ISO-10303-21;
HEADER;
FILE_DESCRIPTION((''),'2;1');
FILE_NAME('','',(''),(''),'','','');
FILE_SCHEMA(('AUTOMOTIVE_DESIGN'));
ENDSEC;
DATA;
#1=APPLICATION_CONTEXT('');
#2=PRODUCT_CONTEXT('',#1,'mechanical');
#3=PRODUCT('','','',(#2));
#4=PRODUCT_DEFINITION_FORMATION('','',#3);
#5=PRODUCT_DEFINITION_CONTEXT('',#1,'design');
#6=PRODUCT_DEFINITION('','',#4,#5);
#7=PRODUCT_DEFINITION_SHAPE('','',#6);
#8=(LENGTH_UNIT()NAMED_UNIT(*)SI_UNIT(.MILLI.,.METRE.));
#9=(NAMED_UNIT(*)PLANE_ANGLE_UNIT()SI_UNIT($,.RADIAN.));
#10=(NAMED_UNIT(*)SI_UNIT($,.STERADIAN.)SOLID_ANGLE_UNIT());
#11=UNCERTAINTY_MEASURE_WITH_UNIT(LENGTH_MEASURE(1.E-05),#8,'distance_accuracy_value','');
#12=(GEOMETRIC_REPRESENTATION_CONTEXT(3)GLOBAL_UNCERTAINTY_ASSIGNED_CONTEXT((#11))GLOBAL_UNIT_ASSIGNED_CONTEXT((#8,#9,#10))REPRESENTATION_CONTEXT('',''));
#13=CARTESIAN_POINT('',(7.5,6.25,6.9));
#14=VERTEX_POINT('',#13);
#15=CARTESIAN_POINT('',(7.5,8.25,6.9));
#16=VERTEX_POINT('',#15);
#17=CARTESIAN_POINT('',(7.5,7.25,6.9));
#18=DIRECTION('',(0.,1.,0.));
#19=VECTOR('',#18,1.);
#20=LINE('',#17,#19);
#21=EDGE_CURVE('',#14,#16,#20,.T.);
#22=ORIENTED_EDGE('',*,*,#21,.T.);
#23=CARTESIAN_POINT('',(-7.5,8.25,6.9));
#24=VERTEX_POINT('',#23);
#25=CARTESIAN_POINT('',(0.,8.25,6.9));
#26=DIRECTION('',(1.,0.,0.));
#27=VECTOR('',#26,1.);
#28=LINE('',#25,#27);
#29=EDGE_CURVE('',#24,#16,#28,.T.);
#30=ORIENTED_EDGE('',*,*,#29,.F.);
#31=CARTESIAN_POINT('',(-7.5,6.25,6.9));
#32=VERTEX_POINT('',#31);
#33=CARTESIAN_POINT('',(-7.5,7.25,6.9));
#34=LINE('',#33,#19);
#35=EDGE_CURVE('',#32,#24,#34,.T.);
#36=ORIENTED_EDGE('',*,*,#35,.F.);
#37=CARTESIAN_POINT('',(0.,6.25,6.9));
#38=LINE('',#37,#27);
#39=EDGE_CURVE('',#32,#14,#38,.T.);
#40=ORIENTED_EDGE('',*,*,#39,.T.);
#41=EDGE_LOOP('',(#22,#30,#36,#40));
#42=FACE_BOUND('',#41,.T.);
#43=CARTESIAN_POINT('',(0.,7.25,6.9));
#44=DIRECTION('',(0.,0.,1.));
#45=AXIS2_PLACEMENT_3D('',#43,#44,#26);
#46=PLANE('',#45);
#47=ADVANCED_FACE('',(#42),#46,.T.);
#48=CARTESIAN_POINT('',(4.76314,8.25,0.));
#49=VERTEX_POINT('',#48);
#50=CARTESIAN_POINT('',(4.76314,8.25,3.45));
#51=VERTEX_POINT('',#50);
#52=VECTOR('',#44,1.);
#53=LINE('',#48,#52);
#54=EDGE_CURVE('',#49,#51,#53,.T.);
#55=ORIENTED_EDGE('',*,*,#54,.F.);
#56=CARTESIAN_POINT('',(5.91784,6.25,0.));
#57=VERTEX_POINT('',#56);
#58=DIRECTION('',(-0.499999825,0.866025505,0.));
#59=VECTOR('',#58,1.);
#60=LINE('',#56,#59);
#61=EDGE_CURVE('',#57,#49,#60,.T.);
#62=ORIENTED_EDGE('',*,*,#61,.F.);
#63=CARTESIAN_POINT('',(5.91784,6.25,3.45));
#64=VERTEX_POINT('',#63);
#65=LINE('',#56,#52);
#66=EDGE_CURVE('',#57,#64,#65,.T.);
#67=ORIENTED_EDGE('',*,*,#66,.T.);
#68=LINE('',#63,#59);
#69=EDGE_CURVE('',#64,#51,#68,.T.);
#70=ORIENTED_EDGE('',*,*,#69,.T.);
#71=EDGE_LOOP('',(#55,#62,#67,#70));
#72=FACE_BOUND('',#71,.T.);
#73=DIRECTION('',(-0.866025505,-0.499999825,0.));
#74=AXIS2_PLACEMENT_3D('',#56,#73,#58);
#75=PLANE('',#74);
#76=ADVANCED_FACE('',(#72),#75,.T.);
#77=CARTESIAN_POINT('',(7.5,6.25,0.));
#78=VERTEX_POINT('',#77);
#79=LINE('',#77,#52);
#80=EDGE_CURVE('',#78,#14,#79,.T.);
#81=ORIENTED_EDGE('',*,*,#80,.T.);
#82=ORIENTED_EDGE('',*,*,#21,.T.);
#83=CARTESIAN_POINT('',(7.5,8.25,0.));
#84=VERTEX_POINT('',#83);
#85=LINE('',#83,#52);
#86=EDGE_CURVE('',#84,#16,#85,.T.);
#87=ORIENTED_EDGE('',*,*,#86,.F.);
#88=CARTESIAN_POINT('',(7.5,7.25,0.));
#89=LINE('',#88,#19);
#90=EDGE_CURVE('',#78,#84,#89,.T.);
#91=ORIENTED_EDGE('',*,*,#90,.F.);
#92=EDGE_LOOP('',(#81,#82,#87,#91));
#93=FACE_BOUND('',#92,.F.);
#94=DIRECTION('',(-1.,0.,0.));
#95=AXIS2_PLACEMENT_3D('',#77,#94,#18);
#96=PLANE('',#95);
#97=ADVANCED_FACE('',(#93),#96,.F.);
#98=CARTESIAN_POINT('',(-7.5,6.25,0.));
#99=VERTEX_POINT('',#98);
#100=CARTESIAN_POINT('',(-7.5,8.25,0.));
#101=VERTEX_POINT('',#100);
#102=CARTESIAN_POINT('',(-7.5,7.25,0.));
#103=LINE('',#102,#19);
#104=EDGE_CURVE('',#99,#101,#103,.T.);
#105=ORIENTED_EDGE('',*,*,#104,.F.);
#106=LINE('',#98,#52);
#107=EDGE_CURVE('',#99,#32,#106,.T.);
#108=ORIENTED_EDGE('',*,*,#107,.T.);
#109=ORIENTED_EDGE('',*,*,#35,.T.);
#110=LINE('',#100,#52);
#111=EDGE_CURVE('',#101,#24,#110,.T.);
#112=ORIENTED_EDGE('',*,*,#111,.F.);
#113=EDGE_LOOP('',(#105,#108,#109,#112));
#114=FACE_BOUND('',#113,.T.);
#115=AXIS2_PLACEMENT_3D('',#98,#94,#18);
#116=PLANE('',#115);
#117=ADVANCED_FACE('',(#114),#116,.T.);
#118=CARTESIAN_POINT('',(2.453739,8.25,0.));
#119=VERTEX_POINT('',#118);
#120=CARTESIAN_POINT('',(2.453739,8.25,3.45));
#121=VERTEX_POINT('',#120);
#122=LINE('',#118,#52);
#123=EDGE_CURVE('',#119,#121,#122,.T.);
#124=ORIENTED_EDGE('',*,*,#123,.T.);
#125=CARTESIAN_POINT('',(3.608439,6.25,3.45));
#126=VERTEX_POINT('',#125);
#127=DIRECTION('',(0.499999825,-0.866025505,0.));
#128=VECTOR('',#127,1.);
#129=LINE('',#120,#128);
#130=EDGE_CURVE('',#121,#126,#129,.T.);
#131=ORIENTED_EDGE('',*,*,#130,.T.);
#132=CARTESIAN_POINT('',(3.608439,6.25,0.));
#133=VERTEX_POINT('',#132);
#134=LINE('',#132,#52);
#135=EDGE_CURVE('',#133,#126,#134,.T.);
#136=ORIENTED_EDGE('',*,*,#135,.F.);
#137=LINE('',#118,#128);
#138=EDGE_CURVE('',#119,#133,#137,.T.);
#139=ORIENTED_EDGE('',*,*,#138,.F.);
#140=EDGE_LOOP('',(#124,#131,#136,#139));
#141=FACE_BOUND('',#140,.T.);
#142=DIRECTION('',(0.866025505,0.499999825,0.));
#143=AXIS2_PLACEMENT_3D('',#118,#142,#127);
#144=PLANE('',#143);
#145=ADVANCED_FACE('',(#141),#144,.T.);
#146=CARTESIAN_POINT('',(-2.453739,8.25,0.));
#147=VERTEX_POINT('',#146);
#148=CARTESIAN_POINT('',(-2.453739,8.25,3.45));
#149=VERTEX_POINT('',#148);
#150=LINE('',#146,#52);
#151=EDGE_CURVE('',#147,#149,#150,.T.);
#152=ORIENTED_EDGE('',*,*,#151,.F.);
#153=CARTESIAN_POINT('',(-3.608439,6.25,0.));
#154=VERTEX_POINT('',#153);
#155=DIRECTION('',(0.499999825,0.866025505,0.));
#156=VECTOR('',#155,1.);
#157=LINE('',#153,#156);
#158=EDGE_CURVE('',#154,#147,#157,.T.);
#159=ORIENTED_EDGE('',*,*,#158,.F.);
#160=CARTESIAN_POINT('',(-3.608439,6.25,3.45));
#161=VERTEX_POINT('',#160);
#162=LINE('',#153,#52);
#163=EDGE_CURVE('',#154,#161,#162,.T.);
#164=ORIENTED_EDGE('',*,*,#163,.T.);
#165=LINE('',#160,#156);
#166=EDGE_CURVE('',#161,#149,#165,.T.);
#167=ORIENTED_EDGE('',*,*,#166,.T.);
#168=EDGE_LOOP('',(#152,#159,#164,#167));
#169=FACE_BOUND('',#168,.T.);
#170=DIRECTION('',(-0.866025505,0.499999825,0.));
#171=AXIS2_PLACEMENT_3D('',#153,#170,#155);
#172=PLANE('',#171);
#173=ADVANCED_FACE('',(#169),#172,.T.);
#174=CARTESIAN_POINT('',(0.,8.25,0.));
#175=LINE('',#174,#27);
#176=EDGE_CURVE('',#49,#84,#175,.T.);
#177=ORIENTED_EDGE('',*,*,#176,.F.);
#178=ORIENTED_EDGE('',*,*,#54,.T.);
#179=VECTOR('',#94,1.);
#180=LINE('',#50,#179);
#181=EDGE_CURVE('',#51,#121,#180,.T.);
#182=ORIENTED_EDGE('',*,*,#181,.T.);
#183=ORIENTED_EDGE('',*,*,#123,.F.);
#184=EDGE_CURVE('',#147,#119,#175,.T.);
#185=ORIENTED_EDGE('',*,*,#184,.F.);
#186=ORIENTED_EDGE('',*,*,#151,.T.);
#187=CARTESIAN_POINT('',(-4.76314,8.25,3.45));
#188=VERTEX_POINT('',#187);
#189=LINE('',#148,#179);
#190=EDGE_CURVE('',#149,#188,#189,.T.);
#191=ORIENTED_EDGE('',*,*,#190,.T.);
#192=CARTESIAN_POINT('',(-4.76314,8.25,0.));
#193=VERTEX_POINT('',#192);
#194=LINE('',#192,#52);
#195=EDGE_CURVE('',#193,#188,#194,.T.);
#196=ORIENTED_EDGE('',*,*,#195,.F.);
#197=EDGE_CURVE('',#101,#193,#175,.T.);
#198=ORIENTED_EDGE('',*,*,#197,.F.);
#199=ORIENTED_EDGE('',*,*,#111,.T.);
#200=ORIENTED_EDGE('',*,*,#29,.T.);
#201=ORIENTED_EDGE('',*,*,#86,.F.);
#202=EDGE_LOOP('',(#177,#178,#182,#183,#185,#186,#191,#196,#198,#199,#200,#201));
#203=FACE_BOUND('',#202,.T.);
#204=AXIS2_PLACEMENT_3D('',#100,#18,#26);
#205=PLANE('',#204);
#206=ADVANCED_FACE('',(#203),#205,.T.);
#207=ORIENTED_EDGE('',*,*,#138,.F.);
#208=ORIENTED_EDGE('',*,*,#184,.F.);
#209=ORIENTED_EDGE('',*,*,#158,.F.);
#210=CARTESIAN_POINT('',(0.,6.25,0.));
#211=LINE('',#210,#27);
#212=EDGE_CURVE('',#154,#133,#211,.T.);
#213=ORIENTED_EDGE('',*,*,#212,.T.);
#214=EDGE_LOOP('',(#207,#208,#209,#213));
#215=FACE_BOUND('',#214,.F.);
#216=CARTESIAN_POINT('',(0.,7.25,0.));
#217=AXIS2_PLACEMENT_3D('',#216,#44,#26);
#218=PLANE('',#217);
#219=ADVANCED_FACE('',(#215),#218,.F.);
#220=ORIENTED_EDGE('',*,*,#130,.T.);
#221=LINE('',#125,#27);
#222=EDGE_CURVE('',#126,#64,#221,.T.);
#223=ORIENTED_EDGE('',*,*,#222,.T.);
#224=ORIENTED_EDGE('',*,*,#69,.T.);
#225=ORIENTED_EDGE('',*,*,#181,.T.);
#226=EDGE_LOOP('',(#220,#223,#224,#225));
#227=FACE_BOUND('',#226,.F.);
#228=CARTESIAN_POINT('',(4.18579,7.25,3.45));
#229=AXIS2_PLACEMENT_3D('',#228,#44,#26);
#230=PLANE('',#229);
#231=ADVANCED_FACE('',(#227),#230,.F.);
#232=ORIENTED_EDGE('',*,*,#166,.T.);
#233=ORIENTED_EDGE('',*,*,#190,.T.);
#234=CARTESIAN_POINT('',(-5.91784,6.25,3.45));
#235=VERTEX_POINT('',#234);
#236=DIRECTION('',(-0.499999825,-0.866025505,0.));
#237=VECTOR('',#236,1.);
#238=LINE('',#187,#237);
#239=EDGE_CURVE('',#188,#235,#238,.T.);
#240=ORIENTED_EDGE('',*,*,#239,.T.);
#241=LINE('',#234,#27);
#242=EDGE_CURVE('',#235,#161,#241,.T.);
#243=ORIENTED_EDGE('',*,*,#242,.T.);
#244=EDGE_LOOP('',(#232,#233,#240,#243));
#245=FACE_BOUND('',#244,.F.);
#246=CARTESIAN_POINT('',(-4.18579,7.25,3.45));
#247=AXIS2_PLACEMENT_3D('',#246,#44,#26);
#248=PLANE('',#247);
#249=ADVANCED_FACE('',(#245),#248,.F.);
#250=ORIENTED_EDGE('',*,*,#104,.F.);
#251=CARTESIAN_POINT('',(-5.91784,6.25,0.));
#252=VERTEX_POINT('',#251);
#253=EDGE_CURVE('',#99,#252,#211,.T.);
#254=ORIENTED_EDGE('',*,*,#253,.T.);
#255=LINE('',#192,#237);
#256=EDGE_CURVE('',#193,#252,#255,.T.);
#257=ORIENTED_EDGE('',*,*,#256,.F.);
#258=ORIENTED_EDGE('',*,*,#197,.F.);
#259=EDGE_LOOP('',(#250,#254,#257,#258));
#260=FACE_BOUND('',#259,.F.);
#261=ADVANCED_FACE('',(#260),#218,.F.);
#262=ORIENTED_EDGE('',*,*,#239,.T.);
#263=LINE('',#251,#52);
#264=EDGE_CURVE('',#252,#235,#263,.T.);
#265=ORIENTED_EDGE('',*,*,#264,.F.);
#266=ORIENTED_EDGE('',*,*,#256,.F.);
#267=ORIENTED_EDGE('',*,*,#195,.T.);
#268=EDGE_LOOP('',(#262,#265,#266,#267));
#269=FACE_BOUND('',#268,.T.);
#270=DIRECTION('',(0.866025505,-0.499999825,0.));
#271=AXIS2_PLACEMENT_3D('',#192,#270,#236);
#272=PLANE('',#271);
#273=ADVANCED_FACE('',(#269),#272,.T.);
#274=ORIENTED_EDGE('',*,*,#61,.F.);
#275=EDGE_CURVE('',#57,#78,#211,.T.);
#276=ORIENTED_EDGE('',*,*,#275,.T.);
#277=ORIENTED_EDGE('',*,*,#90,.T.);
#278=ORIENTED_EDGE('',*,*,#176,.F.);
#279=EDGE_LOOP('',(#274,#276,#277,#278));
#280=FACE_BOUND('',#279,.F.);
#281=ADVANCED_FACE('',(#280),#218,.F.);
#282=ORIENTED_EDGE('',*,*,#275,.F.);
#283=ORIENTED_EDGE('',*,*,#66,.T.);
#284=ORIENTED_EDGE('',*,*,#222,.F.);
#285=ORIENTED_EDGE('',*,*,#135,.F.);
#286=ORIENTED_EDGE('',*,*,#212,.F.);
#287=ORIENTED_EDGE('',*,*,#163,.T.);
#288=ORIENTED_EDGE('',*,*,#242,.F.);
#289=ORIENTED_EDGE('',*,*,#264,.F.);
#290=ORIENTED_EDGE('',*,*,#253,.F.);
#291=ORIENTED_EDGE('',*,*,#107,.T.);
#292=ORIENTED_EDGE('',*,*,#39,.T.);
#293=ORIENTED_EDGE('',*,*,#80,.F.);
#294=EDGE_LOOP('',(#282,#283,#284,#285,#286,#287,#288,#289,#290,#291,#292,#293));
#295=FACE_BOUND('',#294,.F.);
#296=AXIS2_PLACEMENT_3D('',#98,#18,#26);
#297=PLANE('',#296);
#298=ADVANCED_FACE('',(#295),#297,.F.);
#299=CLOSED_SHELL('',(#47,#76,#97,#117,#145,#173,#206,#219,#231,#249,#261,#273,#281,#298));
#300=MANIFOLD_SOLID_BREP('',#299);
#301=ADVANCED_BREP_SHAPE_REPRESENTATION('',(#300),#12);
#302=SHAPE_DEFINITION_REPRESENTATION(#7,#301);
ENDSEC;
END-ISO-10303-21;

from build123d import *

# Parameters (mm, degrees)
F0_W     = 15
F0_H     = 2
F1_DEPTH = 6.9
F3_DEPTH = 3.45


with BuildPart() as f1:
    # F0 (on Top) → F1 (new body)
    with BuildSketch(Plane.XY):
        with Locations((0, 7.25)):
            Rectangle(F0_W, F0_H)
    extrude(amount=F1_DEPTH)

    # F2 (on Top) → F3 (cut)
    with BuildSketch(Plane.XY):
        Polygon((-4.76314, 8.25), (-5.91784, 6.25), (-3.608439, 6.25), (-2.453739, 8.25), align=None)
        Polygon((3.608439, 6.25), (5.91784, 6.25), (4.76314, 8.25), (2.453739, 8.25), align=None)
    extrude(amount=F3_DEPTH, mode=Mode.SUBTRACT)


solid = f1.part
